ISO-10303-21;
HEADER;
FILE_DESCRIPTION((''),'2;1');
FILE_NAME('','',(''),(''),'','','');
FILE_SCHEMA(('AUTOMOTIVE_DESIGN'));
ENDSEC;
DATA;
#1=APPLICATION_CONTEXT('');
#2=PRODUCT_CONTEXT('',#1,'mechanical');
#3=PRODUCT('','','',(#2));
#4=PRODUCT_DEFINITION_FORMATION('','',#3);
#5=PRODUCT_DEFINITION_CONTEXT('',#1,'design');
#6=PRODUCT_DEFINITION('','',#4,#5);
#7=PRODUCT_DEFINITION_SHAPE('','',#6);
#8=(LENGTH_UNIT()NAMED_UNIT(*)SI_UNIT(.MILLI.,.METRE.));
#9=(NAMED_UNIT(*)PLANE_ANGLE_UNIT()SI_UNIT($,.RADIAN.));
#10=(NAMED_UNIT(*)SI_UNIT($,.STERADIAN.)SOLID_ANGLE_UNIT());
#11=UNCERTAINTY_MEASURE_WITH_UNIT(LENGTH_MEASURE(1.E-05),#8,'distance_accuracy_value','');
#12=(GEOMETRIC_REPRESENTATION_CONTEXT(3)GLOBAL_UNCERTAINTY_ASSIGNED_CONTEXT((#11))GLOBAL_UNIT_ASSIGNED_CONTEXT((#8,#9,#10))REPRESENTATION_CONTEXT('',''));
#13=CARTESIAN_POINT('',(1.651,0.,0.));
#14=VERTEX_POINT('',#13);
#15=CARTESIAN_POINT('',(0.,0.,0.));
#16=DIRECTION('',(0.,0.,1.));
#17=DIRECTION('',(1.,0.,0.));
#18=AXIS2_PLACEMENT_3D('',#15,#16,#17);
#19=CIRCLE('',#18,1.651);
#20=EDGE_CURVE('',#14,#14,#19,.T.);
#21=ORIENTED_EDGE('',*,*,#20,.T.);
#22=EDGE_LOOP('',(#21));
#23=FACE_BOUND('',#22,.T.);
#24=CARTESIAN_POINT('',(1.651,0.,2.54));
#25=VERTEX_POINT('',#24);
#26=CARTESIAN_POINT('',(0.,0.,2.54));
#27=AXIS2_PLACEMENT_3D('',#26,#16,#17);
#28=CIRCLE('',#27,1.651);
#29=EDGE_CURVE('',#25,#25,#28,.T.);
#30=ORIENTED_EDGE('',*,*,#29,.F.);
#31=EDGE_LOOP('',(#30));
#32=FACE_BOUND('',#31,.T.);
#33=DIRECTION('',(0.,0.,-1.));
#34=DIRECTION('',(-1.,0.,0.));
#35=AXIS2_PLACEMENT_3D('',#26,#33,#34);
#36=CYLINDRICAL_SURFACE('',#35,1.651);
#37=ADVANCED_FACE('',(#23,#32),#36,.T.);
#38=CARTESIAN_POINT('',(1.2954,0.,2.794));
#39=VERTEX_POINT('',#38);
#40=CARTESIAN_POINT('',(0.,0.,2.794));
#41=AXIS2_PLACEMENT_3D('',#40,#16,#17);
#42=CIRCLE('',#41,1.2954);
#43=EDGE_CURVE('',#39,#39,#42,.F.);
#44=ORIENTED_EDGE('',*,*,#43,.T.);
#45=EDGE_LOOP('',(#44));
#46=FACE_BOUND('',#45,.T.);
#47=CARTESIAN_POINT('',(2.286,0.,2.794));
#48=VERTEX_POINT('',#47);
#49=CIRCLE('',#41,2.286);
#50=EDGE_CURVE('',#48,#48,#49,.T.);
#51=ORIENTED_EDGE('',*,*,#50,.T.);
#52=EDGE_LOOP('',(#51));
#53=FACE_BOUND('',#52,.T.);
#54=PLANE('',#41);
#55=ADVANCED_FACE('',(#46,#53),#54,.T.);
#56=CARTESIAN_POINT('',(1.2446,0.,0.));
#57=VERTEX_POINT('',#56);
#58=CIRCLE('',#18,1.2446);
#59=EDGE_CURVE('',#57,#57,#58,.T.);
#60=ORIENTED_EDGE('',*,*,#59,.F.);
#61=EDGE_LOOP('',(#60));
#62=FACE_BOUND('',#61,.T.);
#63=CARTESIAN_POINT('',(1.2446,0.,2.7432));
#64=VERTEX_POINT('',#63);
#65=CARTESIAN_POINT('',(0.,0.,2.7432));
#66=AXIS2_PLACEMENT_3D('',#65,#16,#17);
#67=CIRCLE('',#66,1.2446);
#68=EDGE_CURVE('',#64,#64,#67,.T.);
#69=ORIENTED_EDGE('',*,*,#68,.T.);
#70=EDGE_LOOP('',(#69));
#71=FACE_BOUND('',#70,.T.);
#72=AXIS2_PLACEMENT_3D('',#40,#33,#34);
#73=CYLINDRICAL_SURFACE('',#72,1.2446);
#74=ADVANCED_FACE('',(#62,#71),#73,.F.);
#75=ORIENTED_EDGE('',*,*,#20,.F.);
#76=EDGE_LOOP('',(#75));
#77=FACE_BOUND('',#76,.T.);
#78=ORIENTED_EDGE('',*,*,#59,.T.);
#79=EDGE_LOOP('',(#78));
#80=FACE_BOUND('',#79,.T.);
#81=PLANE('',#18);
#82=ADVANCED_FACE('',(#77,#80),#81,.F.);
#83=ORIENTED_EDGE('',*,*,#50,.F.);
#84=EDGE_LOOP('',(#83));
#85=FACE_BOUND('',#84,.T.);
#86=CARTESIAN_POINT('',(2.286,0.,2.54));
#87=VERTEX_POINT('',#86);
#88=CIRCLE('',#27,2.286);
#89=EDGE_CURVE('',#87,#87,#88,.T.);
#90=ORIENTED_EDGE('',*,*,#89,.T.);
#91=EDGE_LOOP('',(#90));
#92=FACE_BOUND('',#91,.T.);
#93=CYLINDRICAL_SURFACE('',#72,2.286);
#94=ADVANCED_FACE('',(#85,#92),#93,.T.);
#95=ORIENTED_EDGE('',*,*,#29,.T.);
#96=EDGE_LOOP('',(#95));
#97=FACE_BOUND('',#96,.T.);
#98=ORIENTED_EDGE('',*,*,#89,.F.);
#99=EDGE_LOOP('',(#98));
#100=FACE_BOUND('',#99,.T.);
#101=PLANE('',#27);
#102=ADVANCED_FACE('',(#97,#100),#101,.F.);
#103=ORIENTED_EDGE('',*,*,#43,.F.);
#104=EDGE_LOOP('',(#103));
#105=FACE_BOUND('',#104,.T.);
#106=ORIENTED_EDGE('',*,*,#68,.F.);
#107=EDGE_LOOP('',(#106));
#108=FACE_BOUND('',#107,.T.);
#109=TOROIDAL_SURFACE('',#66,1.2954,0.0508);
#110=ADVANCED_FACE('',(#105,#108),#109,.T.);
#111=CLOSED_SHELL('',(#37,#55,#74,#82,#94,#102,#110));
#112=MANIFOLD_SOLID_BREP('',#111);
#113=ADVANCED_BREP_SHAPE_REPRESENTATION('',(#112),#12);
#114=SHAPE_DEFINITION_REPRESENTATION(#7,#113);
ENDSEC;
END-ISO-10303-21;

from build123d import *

# Parameters (mm, degrees)
SKETCH1_R               = 1.651
BOSS_EXTRUDE1_DEPTH     = 2.54
SKETCH2_R               = 2.286
BOSS_EXTRUDE2_DEPTH     = 0.254
SKETCH3_R               = 1.2446
CUT_EXTRUDE3_DEPTH      = 1
CUT_EXTRUDE3_DEPTH_BACK = 3.794
FILLET3_R               = 0.0508


with BuildPart() as part:
    # Sketch1 → Boss-Extrude1 (new body)
    with BuildSketch(Plane.XY):
        Circle(SKETCH1_R)
    extrude(amount=BOSS_EXTRUDE1_DEPTH)

    # Sketch2 → Boss-Extrude2 (add)
    with BuildSketch(Plane.XY.offset(2.54)):
        Circle(SKETCH2_R)
    extrude(amount=BOSS_EXTRUDE2_DEPTH)

    # Sketch3 → Cut-Extrude3 (cut, two sides)
    with BuildSketch(Plane(origin=(0, 0, 0), x_dir=(-1, 0, 0), z_dir=(0, 0, -1))) as cut_extrude3_sk:
        Circle(SKETCH3_R)
    extrude(amount=CUT_EXTRUDE3_DEPTH, mode=Mode.SUBTRACT)
    extrude(cut_extrude3_sk.sketch, amount=-CUT_EXTRUDE3_DEPTH_BACK, mode=Mode.SUBTRACT)

    # Fillet3
    fillet3_edges = [part.edges().sort_by_distance(p)[0] for p in [
        (1.2446, 0, 2.794),
    ]]
    fillet(fillet3_edges, radius=FILLET3_R)


solid = part.part
